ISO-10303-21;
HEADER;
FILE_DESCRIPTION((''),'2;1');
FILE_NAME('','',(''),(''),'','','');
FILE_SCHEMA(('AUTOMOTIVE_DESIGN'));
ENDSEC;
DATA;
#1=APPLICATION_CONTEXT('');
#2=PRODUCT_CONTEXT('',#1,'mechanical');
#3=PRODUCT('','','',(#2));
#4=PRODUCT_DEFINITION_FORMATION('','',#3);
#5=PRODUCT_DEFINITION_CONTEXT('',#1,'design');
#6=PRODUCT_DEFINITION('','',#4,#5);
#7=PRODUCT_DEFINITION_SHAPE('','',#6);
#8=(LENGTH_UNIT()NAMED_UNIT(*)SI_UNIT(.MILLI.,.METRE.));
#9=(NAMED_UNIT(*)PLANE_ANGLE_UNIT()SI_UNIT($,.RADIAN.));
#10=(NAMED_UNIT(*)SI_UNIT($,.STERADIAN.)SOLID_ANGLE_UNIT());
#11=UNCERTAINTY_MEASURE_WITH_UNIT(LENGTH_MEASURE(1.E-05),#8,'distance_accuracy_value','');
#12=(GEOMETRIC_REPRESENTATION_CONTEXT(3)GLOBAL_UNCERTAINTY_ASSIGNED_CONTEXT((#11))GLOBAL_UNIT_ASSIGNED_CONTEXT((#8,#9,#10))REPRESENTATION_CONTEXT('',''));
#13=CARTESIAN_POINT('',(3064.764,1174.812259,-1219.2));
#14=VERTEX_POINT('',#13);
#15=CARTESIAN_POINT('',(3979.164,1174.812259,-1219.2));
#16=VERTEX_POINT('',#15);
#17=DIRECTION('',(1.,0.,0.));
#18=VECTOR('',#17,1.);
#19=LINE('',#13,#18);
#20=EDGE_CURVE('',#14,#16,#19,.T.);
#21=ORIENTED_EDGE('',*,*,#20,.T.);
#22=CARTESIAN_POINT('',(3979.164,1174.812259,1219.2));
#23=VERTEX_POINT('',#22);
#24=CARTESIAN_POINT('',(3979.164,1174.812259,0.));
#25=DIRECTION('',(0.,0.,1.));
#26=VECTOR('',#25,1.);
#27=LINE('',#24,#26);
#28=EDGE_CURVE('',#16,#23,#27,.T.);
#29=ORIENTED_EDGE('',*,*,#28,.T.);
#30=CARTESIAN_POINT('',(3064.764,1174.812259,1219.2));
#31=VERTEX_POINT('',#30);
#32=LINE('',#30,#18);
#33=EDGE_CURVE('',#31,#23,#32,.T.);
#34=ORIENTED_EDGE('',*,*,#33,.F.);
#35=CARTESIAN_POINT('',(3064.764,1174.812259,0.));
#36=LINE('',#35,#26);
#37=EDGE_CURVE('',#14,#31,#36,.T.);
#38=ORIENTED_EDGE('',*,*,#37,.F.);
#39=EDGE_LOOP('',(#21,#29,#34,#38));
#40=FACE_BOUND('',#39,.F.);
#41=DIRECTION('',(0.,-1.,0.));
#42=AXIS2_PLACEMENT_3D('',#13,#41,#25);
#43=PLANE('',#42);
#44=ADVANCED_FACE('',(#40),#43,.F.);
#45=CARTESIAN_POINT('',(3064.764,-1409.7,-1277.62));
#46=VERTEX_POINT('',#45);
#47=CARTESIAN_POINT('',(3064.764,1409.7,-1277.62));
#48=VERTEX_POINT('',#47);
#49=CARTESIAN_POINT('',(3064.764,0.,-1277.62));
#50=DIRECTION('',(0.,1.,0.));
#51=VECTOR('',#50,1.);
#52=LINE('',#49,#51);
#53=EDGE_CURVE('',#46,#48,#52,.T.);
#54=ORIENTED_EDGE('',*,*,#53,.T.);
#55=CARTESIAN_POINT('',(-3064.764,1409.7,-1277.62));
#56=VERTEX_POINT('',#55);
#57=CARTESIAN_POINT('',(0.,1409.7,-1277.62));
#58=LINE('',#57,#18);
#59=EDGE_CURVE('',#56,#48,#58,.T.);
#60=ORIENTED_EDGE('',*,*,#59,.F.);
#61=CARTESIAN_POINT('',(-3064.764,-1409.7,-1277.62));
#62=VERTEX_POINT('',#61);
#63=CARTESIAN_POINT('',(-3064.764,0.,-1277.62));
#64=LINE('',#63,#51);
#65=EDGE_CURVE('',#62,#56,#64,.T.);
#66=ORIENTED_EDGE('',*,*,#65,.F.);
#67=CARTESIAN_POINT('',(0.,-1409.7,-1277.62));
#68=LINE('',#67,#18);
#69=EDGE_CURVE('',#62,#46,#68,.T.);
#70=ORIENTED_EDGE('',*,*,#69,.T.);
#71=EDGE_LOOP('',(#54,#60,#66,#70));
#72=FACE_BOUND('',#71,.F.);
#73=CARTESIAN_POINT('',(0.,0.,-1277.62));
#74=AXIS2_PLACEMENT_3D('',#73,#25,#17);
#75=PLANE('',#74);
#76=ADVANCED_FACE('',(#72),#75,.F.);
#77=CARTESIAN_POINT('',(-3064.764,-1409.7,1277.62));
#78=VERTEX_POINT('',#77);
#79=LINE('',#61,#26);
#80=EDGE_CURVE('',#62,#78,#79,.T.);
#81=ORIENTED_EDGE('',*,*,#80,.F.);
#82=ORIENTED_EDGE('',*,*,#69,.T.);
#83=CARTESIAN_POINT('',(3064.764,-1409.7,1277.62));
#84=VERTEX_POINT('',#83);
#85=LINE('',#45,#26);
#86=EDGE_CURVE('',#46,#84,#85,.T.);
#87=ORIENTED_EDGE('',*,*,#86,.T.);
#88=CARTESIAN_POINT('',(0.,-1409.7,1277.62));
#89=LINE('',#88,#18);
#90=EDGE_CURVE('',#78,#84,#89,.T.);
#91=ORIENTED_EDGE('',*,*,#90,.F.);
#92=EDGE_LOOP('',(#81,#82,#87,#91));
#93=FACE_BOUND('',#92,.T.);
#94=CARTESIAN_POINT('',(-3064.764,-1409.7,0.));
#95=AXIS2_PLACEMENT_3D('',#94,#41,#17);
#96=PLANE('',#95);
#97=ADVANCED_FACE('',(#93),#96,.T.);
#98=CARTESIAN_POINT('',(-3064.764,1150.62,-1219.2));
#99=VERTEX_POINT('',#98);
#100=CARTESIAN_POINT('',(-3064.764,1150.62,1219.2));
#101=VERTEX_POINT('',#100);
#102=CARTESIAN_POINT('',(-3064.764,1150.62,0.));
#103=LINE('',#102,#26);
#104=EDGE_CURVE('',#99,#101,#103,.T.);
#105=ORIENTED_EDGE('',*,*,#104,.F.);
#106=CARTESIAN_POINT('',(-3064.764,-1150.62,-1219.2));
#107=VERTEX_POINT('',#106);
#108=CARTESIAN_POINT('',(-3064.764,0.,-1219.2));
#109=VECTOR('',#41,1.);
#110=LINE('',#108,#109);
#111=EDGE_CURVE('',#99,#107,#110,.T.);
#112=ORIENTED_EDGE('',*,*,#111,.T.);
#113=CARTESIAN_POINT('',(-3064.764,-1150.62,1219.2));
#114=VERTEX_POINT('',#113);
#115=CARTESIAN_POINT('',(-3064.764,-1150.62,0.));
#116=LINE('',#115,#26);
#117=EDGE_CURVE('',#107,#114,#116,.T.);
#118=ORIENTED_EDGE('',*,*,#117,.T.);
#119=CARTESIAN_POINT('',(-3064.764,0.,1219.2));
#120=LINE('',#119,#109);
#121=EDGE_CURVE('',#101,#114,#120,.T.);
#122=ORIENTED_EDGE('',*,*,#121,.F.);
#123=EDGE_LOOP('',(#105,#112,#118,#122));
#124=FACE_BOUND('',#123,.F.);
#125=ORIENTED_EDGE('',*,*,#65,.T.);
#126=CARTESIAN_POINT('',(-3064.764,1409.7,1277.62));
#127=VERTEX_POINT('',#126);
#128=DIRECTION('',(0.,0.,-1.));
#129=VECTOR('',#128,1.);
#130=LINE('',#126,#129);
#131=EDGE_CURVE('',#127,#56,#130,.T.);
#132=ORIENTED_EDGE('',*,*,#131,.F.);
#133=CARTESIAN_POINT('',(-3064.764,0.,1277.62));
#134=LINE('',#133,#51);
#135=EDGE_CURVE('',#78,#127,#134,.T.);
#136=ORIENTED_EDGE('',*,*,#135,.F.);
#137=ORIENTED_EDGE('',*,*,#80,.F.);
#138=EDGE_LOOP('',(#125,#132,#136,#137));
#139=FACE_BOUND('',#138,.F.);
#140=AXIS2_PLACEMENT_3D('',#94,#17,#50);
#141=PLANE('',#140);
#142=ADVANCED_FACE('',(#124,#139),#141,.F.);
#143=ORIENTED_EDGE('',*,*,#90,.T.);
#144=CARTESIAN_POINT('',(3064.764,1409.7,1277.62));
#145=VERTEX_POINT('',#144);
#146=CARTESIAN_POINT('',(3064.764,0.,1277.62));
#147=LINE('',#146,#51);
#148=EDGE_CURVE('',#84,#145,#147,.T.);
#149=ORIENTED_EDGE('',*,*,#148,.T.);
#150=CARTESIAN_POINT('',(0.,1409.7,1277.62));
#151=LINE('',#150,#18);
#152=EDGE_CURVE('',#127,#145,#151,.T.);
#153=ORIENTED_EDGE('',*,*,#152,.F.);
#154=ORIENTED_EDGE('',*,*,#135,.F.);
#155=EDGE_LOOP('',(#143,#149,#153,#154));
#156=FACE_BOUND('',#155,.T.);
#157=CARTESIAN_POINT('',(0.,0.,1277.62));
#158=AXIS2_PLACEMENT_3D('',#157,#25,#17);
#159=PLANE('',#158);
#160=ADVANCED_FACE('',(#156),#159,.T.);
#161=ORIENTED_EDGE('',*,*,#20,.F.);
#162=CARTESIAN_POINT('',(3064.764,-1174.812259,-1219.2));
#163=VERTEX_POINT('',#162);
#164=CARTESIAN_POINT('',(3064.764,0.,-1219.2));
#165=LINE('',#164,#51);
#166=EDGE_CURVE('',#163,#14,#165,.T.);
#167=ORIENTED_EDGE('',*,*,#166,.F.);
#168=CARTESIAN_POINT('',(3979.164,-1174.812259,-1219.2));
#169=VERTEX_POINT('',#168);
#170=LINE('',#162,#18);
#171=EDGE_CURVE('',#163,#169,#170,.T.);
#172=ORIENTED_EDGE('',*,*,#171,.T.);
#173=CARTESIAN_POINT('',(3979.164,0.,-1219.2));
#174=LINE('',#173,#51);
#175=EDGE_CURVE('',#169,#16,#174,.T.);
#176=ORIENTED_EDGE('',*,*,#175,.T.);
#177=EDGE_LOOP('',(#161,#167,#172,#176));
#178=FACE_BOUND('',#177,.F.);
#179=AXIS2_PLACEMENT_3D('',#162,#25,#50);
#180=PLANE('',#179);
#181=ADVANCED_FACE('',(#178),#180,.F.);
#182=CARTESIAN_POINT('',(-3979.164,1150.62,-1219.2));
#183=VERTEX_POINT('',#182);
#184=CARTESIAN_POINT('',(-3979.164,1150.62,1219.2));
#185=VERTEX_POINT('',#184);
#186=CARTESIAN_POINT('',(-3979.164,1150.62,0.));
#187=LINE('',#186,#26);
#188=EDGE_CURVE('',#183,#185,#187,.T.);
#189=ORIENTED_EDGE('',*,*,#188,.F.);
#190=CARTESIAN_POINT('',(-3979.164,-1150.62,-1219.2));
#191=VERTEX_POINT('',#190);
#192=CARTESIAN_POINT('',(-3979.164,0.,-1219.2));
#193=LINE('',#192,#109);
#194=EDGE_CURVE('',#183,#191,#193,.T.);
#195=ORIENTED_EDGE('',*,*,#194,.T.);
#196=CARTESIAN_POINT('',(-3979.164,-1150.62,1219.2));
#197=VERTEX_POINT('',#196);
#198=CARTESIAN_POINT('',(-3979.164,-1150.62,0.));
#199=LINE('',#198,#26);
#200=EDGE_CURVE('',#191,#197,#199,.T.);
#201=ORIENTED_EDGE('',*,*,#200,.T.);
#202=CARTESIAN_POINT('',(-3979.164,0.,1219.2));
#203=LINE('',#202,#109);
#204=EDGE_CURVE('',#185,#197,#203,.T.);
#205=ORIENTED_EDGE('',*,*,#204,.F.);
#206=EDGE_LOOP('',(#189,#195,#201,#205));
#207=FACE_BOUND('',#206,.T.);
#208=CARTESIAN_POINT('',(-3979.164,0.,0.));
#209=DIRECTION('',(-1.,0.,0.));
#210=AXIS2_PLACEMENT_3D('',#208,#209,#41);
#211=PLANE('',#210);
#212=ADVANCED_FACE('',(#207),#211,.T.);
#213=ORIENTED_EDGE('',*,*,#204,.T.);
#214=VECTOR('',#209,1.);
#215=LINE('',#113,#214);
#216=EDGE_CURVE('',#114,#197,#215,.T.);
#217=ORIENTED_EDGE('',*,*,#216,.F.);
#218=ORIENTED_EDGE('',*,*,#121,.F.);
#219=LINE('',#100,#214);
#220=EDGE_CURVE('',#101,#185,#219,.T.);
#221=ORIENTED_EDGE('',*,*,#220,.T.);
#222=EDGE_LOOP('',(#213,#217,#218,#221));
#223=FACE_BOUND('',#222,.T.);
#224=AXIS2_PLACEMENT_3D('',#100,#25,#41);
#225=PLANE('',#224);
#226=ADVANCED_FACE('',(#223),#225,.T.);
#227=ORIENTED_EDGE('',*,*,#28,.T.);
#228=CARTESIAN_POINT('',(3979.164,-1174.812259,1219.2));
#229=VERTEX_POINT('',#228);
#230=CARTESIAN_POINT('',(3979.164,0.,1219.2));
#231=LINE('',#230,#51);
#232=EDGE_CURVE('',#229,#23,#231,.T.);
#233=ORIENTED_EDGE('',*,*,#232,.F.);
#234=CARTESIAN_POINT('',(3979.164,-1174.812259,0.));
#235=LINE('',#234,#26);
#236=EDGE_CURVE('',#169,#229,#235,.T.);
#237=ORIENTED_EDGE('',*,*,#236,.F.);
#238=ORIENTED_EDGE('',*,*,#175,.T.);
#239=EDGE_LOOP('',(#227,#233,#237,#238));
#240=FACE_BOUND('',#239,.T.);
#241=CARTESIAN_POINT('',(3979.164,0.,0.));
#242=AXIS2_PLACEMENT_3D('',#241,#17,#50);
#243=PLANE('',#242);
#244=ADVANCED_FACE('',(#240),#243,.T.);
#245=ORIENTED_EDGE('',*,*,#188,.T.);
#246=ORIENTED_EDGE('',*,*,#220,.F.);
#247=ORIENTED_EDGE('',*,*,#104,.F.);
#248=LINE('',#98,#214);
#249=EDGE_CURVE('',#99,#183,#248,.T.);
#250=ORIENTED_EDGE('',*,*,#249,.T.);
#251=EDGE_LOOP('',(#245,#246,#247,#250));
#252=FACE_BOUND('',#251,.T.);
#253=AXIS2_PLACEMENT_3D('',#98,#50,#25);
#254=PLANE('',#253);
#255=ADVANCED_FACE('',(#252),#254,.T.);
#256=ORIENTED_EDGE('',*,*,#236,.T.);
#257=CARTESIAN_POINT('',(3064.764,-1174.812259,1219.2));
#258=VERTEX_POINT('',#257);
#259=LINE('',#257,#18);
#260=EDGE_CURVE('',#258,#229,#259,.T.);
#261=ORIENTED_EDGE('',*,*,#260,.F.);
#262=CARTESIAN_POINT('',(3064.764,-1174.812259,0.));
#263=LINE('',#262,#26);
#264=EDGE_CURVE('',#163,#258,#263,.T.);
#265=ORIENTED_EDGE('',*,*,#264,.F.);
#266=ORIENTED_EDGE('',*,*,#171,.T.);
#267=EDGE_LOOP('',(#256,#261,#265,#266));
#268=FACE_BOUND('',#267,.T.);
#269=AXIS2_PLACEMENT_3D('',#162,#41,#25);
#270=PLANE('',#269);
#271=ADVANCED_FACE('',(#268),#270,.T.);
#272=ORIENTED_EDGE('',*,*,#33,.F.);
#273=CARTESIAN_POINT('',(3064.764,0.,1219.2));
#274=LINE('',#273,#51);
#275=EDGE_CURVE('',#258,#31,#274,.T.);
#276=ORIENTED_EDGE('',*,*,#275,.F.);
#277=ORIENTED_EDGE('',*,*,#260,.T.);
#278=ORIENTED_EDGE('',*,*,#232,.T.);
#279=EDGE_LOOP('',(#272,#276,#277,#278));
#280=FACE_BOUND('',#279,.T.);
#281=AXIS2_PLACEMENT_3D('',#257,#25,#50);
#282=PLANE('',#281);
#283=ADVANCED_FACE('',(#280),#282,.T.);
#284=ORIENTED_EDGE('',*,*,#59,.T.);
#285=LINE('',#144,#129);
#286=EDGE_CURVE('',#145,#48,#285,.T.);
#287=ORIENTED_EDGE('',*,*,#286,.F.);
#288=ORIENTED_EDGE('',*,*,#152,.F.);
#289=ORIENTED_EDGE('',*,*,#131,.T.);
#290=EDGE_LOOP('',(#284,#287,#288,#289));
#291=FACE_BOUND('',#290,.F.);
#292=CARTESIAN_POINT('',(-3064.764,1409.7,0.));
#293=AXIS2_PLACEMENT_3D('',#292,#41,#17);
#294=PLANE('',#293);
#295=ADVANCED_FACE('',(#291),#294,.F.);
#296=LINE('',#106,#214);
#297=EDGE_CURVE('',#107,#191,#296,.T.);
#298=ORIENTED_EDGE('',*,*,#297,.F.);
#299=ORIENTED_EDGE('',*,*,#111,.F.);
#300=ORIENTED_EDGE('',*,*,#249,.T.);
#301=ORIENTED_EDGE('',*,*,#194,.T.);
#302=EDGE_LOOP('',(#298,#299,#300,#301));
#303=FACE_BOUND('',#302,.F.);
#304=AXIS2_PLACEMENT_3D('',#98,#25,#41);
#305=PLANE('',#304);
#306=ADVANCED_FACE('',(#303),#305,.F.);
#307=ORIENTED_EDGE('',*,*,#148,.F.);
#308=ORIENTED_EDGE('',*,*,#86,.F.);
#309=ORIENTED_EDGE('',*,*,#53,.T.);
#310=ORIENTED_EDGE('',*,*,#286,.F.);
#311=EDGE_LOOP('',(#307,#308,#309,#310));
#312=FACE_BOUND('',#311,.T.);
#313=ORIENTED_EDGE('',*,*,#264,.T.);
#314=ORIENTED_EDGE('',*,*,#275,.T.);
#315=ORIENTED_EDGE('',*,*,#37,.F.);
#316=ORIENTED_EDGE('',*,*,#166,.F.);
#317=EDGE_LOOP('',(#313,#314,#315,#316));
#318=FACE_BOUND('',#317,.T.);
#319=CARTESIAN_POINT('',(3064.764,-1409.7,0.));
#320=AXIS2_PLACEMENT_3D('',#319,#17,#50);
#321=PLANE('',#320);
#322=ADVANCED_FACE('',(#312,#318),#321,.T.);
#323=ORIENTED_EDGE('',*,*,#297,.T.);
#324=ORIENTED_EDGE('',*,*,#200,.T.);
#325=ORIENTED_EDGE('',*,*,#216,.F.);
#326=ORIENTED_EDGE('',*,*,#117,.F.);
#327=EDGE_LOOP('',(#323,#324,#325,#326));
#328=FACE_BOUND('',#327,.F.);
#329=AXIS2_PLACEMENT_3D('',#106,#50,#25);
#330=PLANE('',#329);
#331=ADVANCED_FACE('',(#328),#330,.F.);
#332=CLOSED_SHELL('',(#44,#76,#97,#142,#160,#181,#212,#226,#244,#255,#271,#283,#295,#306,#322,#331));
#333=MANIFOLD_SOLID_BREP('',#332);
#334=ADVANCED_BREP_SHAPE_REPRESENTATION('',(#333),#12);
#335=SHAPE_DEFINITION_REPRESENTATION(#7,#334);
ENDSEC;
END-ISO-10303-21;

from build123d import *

# Parameters (mm, degrees)
F0_W     = 6129.528
F0_H     = 2819.4
F1_DEPTH = 1277.62
F2_W     = 2349.624518
F2_H     = 2438.4
F3_DEPTH = 914.4
F4_W     = 2301.24
F4_H     = 2438.4
F5_DEPTH = 914.4


with BuildPart() as f1:
    # F0 (on Top) → F1 (new body, symmetric)
    with BuildSketch(Plane.XY):
        Rectangle(F0_W, F0_H)
    extrude(amount=F1_DEPTH, both=True)

    # F2 (on face) → F3 (join)
    with BuildSketch(Plane.YZ.offset(3064.764)):
        Rectangle(F2_W, F2_H)
    extrude(amount=F3_DEPTH)

    # F4 (on face) → F5 (join)
    with BuildSketch(Plane(origin=(-3064.764, 0, 0), x_dir=(0, -1, 0), z_dir=(-1, 0, 0))):
        Rectangle(F4_W, F4_H)
    extrude(amount=F5_DEPTH)


solid = f1.part
